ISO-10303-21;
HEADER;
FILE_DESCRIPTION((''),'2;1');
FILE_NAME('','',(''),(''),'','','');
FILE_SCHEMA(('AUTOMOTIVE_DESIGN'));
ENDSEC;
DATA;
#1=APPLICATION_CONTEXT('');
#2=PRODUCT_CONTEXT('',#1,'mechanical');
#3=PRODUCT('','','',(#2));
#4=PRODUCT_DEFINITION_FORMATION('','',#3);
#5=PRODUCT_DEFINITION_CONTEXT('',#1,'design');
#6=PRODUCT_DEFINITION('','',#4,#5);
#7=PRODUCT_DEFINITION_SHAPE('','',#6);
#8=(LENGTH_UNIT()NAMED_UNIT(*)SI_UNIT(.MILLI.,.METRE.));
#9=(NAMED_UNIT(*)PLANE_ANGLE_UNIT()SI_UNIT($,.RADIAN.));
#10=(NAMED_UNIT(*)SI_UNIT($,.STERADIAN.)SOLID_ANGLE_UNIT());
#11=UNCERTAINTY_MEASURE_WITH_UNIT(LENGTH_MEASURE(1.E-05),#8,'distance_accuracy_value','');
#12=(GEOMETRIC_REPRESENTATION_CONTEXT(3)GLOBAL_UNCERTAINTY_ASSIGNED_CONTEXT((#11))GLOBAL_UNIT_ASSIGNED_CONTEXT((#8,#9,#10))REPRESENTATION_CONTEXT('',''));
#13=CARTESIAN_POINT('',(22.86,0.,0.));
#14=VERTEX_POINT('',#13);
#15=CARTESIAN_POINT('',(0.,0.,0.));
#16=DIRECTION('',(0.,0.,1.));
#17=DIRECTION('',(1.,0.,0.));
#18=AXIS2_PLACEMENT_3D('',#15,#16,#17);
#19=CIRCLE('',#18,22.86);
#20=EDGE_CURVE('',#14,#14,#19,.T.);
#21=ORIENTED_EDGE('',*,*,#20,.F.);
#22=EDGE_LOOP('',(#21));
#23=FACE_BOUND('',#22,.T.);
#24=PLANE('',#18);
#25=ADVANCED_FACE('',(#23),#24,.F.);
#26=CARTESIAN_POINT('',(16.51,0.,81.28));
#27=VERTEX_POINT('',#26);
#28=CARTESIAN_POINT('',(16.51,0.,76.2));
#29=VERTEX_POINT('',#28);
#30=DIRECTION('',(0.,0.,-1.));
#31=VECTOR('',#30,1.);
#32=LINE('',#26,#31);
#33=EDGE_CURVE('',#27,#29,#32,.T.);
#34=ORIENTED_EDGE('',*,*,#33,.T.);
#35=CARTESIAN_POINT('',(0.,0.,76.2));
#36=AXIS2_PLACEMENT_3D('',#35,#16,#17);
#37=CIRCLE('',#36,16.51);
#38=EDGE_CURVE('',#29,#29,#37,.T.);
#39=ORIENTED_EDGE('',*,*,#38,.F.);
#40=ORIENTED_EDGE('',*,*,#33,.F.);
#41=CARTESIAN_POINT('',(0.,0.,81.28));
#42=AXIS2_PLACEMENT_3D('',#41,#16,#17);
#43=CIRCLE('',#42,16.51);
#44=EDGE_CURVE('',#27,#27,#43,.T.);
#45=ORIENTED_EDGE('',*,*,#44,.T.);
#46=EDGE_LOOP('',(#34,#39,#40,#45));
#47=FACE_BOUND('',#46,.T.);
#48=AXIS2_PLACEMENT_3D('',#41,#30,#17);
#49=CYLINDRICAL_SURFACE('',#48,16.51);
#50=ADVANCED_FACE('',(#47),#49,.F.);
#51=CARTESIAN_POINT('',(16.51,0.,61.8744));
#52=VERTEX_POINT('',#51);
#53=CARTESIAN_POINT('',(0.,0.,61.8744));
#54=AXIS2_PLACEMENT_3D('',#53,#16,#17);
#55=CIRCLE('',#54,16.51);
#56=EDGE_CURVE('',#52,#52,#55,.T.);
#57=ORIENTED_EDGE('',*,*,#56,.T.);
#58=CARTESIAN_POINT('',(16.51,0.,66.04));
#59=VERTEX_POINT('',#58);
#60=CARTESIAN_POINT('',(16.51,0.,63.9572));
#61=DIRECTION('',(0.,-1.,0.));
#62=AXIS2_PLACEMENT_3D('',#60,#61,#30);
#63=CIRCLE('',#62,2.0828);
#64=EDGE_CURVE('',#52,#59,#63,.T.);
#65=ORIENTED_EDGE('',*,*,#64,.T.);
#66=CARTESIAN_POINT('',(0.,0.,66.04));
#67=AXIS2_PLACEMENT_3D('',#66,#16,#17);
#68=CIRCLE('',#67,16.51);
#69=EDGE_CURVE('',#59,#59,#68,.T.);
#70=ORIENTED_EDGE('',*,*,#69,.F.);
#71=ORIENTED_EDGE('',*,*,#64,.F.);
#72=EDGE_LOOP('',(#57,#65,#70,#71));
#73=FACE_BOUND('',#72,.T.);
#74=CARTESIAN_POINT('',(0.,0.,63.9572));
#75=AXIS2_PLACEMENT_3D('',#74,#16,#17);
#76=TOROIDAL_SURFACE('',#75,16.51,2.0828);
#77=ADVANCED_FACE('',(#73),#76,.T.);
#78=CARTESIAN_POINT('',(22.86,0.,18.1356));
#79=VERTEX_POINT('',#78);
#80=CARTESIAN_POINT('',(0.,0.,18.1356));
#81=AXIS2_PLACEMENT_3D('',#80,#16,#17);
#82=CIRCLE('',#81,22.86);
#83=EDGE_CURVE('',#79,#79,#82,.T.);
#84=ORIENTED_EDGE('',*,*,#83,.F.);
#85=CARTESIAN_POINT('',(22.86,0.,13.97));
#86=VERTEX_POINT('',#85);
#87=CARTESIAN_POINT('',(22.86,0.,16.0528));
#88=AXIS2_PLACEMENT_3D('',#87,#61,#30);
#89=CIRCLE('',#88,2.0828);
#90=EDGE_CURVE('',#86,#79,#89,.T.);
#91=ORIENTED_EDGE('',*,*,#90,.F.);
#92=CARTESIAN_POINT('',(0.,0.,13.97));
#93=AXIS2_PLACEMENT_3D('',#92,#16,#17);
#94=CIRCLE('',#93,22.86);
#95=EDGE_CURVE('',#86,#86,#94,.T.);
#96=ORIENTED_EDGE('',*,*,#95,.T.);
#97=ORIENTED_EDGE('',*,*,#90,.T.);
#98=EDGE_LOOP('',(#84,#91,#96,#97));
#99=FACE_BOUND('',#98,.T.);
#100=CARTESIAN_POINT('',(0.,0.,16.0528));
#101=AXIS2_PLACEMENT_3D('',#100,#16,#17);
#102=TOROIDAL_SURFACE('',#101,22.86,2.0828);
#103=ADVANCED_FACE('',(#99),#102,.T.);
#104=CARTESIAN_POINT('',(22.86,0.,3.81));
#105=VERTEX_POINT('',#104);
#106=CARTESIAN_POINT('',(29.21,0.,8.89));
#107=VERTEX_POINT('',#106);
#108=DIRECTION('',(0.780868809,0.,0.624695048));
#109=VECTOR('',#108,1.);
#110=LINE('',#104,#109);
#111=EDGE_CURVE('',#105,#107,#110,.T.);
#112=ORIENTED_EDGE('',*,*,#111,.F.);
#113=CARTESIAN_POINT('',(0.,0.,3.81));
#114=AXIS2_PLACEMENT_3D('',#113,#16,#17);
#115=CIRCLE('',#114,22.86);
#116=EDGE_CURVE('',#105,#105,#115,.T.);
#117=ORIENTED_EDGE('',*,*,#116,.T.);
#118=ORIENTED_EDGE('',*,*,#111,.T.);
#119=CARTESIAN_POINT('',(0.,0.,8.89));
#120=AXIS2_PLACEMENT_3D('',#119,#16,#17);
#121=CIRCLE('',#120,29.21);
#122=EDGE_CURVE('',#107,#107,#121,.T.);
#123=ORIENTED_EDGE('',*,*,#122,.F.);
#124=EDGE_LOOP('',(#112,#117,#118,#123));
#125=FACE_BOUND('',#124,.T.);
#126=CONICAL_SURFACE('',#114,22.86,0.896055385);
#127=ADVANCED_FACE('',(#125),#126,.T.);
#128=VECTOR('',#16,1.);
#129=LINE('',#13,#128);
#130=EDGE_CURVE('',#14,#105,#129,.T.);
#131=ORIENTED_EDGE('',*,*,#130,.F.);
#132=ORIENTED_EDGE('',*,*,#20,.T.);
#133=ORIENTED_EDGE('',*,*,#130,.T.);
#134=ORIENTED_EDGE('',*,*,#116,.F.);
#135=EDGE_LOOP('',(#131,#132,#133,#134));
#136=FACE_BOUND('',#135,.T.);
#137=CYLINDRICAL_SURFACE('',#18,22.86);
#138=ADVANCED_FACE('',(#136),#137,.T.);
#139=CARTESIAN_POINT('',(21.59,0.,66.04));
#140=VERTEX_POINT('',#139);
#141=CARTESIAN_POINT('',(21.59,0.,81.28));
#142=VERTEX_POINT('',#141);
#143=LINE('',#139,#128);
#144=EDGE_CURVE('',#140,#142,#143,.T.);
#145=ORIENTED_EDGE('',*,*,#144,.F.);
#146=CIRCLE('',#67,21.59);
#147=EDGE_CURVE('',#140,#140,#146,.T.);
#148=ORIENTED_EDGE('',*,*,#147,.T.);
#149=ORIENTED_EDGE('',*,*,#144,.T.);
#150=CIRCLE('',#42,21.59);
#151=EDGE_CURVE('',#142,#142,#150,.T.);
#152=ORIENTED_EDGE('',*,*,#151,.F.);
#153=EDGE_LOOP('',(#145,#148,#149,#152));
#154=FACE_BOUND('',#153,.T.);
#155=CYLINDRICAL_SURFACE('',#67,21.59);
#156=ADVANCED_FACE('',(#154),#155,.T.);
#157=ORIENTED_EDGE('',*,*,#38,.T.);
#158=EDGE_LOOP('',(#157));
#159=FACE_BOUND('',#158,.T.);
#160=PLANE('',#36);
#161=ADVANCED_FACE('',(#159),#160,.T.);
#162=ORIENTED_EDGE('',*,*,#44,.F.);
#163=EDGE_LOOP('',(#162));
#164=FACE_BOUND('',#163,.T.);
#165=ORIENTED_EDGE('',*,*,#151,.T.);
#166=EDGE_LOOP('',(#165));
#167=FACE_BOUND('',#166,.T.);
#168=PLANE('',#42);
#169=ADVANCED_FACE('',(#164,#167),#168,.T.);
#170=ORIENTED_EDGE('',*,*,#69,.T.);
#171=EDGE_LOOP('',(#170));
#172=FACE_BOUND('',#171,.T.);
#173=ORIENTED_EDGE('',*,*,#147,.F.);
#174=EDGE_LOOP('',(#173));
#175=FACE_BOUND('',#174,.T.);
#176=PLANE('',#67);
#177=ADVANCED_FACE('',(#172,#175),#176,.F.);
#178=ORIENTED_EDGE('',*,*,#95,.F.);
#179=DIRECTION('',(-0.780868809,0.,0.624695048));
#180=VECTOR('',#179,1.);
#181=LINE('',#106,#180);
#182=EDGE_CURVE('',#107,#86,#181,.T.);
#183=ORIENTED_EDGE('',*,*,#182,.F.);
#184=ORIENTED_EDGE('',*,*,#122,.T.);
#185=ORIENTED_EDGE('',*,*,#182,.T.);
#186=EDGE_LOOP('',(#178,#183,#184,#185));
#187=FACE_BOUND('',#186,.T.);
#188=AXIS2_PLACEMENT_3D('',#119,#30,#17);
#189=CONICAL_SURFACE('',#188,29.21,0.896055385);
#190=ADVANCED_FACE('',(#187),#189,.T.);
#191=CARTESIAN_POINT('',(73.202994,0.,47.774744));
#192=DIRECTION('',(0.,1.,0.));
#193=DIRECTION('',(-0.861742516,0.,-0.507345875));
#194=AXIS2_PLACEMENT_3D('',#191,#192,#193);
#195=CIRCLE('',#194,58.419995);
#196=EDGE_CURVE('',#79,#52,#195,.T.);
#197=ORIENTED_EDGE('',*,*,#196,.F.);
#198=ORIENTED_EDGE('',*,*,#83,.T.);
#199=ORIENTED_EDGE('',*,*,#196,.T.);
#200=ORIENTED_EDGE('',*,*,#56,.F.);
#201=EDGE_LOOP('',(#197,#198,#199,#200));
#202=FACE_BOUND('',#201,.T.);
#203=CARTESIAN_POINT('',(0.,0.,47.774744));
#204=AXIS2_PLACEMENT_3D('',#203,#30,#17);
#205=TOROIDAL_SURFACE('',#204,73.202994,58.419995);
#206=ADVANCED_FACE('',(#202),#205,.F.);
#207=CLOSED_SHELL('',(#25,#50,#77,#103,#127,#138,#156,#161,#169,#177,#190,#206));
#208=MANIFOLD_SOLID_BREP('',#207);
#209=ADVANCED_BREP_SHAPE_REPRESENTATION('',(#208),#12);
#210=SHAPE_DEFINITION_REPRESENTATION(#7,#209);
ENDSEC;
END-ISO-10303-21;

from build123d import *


with BuildPart() as f1:
    # F0 (on Front) → F1 (revolve)
    with BuildSketch(Plane.XZ):
        with BuildLine():
            Line((16.51, 76.2), (0, 76.2))
            Line((0, 76.2), (0, 0))
            Line((0, 0), (22.86, 0))
            Line((22.86, 0), (22.86, 3.81))
            Line((22.86, 3.81), (29.21, 8.89))
            Line((29.21, 8.89), (22.86, 13.97))
            ThreePointArc((22.86, 13.97), (24.9428, 16.0528), (22.86, 18.1356))
            ThreePointArc((22.86, 18.1356), (15.3891, 39.381321), (16.51, 61.8744))
            ThreePointArc((16.51, 61.8744), (18.5928, 63.9572), (16.51, 66.04))
            Line((16.51, 66.04), (21.59, 66.04))
            Line((21.59, 66.04), (21.59, 81.28))
            Line((21.59, 81.28), (16.51, 81.28))
            Line((16.51, 81.28), (16.51, 76.2))
        make_face()
    revolve(axis=Axis((0, 0, 38.1), (0, 0, 1)))


solid = f1.part
